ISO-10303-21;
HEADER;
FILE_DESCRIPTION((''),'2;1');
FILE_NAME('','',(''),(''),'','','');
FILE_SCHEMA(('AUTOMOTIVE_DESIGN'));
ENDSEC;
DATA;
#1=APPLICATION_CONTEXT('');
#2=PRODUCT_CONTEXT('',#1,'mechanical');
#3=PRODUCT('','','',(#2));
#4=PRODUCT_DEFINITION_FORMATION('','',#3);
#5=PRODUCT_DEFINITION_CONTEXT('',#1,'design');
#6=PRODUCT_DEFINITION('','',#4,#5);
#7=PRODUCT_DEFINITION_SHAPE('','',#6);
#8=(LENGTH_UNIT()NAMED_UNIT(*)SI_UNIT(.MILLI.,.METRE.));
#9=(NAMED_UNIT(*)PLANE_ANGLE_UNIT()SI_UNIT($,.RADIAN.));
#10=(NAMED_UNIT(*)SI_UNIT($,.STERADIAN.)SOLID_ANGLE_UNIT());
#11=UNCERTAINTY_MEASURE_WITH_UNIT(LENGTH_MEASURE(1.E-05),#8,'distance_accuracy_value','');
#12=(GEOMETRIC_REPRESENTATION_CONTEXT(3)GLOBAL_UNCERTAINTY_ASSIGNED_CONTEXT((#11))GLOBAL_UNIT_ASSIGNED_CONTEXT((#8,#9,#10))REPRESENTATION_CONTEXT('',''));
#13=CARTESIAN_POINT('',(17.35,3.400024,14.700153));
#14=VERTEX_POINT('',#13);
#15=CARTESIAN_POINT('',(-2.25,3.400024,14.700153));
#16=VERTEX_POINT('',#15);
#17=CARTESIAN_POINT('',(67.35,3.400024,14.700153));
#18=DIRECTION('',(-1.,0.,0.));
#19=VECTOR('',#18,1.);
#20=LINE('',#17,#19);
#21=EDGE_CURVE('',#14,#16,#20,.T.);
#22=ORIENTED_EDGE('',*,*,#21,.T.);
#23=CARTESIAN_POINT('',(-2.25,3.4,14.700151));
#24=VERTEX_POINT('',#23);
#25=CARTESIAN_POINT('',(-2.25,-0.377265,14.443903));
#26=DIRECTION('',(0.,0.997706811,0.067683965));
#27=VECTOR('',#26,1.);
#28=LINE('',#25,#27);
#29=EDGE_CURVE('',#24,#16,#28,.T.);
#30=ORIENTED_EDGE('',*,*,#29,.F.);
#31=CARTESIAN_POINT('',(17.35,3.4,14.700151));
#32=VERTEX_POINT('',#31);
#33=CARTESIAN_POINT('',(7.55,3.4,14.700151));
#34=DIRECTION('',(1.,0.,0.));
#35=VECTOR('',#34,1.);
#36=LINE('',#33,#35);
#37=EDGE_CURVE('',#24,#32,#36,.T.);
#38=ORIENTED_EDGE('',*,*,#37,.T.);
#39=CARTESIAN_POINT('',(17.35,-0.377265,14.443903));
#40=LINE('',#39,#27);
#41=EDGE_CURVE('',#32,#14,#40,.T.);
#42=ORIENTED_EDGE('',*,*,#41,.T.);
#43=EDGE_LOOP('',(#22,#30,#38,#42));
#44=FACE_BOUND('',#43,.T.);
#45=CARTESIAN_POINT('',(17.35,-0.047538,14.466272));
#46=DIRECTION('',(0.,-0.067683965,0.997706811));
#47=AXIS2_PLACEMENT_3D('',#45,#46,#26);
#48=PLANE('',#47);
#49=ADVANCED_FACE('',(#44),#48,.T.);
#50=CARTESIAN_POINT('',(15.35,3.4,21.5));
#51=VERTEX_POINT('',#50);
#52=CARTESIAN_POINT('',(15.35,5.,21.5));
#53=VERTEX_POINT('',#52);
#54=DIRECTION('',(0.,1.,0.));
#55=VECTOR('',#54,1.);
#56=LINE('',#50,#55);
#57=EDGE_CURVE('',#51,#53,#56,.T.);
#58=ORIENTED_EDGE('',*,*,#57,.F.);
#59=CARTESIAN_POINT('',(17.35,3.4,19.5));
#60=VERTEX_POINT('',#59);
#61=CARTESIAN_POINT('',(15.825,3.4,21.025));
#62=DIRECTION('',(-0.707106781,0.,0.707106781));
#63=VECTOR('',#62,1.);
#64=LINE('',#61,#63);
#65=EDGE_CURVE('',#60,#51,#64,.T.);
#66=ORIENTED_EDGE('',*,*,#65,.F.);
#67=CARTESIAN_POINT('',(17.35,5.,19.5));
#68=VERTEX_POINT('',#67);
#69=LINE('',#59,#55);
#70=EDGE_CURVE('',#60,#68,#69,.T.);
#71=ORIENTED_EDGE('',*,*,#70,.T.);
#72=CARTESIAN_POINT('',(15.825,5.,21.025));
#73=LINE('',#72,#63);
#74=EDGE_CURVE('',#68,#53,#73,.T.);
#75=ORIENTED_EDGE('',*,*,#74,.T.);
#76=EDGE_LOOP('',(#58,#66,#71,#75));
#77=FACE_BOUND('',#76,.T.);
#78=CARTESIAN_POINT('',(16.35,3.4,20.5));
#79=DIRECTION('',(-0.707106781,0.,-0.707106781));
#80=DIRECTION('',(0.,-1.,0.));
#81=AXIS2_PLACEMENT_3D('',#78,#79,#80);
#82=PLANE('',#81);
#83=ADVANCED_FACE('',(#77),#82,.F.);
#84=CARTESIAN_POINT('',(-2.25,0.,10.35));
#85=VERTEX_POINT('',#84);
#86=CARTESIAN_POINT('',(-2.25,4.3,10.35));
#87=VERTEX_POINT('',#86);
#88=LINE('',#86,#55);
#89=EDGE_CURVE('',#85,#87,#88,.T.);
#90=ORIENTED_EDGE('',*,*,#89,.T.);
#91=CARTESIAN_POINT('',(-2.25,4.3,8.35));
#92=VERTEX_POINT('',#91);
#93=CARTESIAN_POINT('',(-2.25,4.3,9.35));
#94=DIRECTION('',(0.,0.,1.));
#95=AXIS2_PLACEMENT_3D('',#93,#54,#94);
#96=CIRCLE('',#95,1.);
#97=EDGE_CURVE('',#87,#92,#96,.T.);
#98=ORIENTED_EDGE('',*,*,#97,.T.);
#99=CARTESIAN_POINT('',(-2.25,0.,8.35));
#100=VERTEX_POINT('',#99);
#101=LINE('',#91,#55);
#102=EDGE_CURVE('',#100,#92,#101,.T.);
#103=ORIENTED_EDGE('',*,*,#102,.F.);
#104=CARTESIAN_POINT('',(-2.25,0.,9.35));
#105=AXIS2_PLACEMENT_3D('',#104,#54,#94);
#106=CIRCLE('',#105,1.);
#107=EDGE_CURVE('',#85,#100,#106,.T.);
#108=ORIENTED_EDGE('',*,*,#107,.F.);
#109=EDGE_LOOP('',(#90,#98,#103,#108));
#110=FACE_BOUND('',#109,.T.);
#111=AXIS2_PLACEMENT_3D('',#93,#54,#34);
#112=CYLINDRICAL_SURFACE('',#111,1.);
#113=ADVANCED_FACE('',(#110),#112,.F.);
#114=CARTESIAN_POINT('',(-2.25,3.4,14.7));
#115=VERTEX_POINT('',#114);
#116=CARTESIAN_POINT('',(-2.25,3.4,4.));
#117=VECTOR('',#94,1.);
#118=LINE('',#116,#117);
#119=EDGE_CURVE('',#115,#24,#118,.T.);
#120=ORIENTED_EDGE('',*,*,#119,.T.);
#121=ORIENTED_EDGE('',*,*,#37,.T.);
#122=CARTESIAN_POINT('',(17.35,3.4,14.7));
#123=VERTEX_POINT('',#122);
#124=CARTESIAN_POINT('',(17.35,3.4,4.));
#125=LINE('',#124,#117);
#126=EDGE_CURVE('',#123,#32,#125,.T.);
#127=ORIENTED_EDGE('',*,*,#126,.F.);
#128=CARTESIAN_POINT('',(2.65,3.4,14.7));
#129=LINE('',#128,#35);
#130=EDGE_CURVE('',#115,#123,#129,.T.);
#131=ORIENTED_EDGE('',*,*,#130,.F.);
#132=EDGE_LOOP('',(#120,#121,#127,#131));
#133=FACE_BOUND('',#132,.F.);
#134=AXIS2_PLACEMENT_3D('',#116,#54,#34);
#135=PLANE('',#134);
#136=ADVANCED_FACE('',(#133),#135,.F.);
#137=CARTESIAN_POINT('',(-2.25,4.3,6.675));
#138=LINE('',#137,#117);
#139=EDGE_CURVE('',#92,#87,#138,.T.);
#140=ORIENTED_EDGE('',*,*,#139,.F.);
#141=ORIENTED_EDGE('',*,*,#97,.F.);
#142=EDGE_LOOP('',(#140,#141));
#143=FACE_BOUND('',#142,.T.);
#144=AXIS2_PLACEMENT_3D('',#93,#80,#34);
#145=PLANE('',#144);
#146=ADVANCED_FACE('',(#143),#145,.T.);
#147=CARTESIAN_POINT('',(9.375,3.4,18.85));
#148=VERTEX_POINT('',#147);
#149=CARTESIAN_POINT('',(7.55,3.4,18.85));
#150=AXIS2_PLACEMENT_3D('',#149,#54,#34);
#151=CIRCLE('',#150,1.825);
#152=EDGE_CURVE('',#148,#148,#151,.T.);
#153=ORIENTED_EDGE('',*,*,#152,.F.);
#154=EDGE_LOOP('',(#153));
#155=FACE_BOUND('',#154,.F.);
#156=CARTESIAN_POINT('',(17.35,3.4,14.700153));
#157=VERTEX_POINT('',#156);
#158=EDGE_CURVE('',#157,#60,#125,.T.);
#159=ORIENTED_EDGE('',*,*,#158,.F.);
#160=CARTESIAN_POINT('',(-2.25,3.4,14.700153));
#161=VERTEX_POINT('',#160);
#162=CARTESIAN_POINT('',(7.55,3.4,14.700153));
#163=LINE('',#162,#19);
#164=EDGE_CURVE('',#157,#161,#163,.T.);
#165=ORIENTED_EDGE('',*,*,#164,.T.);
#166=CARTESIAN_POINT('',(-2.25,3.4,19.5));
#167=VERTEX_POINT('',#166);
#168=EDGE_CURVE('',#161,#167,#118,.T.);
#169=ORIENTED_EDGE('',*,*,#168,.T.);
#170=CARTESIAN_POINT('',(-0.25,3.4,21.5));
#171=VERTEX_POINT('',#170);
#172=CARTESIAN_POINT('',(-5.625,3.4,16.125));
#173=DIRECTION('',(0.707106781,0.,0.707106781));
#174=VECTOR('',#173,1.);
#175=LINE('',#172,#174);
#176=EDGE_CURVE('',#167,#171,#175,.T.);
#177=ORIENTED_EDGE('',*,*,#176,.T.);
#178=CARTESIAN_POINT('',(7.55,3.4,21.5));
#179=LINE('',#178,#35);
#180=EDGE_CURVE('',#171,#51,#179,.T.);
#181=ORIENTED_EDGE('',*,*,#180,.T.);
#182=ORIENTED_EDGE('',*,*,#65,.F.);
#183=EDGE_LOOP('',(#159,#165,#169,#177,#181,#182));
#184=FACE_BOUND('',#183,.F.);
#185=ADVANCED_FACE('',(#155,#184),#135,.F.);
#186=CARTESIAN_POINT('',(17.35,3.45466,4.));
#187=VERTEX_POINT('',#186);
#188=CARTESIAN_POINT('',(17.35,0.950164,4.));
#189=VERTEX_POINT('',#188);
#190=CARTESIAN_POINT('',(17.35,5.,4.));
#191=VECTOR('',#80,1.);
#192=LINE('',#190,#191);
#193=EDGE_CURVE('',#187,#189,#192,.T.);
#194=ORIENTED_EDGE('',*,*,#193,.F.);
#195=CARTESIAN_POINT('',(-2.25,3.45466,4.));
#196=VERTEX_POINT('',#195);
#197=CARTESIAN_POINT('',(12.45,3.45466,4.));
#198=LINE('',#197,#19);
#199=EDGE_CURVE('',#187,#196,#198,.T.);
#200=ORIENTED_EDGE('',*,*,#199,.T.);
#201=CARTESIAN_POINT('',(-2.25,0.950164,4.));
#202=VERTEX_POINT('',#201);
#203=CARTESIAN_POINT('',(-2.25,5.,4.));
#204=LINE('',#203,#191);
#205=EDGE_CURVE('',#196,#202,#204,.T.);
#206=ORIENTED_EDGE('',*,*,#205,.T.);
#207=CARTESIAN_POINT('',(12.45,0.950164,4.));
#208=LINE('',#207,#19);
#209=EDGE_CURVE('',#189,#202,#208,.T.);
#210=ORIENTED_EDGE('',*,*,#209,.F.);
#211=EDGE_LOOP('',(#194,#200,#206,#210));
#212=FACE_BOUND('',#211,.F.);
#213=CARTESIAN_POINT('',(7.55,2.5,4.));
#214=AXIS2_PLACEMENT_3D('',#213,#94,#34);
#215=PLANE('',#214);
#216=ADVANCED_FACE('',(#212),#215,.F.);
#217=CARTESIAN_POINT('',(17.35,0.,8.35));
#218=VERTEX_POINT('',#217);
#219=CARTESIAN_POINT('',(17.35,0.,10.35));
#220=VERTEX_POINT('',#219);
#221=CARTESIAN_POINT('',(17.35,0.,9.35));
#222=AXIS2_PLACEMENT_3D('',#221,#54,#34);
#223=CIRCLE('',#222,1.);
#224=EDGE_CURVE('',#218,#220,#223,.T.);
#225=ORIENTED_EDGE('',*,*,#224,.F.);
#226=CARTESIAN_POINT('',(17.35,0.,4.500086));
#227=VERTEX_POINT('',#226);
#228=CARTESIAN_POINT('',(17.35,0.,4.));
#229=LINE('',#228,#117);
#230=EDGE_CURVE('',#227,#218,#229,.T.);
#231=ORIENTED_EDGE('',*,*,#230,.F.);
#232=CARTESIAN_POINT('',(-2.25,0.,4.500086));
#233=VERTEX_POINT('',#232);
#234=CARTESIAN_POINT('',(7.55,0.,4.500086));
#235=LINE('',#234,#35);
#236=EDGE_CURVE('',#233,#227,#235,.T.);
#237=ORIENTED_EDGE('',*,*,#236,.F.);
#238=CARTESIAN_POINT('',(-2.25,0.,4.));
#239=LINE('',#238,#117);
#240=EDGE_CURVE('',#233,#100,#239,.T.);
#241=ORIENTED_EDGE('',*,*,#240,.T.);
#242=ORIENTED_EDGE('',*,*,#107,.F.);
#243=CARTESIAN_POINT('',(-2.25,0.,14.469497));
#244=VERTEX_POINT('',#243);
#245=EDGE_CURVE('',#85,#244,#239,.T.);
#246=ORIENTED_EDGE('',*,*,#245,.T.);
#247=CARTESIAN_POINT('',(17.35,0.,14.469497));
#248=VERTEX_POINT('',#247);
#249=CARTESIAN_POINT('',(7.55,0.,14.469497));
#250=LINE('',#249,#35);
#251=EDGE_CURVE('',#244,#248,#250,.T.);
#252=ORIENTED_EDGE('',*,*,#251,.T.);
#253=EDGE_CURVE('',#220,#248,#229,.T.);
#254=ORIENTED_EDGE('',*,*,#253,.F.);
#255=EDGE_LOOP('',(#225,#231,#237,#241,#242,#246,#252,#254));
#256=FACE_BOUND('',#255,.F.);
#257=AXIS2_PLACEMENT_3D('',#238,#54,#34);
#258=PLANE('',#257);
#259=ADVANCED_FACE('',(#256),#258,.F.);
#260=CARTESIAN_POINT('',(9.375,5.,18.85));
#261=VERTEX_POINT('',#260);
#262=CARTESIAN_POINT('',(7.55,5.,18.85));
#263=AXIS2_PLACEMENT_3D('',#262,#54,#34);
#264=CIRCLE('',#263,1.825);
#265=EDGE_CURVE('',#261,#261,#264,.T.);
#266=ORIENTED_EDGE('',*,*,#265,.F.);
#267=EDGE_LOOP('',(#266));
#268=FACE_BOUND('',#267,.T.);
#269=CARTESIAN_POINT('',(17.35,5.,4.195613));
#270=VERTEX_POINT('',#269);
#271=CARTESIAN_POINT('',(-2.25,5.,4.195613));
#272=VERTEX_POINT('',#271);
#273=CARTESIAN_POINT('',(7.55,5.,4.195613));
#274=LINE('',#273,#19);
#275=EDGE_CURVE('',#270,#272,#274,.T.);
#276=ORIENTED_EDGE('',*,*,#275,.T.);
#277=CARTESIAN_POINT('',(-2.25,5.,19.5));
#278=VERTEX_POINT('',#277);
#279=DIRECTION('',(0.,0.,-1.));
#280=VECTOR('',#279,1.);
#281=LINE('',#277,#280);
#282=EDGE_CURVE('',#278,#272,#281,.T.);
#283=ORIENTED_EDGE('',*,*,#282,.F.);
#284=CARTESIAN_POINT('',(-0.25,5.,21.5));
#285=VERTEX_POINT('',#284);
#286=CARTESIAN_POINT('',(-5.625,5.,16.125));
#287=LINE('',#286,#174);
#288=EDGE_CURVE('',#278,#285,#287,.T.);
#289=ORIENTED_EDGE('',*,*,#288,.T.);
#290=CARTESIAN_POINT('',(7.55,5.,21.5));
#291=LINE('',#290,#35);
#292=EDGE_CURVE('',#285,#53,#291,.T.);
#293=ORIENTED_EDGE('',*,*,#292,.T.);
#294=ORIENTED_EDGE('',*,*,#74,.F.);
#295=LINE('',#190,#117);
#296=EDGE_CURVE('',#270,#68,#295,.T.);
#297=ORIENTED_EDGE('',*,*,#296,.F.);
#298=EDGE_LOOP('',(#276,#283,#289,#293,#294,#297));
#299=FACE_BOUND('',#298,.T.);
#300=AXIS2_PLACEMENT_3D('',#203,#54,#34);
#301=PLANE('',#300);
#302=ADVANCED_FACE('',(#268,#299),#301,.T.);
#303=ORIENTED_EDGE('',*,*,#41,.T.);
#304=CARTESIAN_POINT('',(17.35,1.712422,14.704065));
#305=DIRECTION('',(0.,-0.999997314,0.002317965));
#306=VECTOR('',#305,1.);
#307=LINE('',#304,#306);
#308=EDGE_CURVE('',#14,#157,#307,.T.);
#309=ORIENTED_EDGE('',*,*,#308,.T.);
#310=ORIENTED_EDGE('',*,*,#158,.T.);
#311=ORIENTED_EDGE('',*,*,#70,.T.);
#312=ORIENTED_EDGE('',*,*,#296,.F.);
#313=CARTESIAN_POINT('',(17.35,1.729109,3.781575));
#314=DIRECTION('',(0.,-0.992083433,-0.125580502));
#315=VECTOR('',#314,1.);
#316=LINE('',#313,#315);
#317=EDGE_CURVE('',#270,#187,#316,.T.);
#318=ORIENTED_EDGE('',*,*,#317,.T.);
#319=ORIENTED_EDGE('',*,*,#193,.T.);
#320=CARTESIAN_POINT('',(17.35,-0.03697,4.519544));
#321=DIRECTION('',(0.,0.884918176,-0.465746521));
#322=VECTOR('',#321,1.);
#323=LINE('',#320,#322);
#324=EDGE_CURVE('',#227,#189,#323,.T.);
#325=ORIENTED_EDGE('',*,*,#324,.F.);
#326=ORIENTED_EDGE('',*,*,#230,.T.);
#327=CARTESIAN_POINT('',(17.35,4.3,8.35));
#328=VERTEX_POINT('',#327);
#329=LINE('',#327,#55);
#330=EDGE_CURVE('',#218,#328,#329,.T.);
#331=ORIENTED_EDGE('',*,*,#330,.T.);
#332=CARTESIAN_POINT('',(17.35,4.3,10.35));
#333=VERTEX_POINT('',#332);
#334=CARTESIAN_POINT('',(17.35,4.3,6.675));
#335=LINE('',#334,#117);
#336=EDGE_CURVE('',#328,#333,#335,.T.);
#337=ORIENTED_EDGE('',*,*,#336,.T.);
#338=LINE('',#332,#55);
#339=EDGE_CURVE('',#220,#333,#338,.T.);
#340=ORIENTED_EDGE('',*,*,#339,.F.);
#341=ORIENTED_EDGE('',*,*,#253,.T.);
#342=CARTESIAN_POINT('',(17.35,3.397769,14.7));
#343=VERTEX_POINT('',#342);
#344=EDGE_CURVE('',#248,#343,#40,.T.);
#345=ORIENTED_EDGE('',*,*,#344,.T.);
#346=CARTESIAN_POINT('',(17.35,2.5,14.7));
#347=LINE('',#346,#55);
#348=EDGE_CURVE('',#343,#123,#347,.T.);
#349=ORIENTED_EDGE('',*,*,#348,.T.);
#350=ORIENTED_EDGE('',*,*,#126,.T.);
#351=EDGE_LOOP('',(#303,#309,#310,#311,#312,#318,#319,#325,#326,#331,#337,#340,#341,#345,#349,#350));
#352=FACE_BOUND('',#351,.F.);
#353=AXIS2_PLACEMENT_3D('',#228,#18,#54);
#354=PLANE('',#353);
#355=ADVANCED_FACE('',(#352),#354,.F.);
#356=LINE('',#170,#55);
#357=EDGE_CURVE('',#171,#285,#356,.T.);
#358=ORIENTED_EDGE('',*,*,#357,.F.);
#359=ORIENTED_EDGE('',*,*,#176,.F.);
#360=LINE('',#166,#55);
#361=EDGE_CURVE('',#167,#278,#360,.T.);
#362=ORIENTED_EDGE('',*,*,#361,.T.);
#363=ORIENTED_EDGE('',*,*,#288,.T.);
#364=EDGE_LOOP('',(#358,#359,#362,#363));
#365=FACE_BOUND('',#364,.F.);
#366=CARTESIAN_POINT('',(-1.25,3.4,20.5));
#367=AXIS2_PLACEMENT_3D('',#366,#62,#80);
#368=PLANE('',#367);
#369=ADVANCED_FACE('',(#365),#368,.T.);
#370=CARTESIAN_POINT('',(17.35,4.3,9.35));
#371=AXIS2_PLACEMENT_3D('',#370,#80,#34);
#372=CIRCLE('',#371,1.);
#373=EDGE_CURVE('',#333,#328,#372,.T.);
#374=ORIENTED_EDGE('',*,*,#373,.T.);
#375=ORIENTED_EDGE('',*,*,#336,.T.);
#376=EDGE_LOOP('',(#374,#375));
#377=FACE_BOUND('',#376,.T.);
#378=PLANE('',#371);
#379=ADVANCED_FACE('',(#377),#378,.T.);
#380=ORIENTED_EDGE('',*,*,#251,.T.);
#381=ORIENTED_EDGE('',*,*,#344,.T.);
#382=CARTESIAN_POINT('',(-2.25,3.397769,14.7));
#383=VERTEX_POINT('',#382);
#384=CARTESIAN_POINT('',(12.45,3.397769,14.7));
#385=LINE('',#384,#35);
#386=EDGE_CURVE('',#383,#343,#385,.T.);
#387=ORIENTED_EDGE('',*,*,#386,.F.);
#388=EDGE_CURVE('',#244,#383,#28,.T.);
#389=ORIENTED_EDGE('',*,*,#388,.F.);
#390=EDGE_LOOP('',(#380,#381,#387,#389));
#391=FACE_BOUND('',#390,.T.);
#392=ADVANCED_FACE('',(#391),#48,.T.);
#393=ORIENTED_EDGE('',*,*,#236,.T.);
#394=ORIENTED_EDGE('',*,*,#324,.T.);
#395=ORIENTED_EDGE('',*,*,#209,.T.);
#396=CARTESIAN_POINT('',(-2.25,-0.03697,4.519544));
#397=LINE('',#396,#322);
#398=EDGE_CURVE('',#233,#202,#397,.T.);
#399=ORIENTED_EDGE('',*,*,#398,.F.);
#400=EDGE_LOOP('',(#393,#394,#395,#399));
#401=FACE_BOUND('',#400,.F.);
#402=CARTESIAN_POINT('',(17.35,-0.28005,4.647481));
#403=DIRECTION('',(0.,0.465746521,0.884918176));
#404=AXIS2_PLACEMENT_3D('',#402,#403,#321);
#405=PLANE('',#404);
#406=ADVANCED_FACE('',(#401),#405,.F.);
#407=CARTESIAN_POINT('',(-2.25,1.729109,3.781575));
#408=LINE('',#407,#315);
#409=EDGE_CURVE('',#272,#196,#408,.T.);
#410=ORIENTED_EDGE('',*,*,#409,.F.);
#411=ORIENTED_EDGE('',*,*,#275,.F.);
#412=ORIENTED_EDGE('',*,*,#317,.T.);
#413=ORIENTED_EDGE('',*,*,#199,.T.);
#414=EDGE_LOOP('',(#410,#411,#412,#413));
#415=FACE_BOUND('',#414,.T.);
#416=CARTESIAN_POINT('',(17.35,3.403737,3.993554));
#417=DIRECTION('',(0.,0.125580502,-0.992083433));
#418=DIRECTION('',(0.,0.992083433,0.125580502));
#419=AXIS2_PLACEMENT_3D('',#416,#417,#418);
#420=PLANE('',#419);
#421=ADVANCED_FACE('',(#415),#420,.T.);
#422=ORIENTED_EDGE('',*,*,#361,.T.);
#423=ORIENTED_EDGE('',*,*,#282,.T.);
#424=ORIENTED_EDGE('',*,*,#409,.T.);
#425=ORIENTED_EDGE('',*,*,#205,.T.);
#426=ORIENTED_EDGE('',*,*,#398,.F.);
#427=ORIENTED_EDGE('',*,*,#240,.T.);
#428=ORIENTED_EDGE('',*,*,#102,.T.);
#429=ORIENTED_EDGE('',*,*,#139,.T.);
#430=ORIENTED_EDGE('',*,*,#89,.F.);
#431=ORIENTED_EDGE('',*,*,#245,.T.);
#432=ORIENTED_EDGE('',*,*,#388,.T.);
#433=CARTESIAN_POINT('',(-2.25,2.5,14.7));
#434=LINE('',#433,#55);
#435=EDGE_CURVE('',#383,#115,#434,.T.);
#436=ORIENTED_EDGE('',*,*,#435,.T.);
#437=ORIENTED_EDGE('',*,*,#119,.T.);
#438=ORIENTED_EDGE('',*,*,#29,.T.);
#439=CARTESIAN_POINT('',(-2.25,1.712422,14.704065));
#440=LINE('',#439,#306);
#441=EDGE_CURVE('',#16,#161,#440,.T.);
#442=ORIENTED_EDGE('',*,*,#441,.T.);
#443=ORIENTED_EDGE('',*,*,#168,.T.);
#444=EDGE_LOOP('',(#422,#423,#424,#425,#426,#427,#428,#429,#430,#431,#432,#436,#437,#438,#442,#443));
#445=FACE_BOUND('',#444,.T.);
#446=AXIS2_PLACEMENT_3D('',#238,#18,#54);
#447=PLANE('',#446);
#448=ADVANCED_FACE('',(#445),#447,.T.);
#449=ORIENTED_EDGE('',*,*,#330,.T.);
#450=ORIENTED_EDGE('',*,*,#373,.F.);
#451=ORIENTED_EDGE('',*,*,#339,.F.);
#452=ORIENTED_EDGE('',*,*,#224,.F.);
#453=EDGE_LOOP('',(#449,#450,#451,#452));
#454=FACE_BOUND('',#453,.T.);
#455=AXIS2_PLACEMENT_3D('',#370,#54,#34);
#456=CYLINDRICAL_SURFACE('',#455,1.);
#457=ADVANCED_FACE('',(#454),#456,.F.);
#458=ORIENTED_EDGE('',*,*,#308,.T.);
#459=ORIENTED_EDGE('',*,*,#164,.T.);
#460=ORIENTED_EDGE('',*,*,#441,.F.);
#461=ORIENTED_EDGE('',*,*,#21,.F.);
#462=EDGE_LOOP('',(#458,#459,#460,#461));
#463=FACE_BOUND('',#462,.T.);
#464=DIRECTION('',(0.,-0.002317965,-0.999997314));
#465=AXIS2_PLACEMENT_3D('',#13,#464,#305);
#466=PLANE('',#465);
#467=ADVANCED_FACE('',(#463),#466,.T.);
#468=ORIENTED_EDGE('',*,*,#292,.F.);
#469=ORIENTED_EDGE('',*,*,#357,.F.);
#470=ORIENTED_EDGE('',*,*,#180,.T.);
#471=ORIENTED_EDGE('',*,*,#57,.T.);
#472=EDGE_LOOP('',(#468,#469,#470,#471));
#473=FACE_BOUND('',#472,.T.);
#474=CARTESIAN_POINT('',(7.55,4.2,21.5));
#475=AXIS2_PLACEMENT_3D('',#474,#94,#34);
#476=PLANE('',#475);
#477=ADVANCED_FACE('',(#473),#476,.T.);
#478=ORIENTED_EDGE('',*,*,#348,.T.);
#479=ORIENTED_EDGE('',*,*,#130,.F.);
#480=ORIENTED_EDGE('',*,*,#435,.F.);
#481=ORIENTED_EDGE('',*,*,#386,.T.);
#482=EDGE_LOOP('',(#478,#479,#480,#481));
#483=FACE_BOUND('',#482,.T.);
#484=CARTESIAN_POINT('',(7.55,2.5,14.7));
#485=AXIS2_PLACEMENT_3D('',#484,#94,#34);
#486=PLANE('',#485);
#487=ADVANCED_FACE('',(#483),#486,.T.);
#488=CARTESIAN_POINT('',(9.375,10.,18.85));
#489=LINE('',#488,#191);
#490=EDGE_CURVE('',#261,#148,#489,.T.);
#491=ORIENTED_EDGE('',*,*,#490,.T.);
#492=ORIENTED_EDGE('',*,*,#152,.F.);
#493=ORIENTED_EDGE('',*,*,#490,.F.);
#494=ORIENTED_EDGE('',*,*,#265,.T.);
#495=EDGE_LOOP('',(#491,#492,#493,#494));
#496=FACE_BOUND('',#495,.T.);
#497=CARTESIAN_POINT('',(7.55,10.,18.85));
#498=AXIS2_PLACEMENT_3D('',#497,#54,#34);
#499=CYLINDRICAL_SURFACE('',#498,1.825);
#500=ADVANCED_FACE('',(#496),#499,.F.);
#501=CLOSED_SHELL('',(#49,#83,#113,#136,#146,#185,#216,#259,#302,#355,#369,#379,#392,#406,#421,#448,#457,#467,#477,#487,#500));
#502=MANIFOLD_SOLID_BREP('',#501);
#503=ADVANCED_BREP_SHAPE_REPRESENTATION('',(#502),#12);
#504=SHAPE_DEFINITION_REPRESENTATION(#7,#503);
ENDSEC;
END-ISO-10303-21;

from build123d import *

# Parameters (mm, degrees)
CYLINDER001_R          = 1
CYLINDER001_DEPTH      = 10
CYLINDER001_ROLL_ANGLE = 90
ARRAY_X_COUNT          = 2
ARRAY_X_PITCH          = 19.6
BOX_W                  = 19.6
BOX_H                  = 5
BOX_DEPTH              = 10.7
CYLINDER_R             = 1.825
CYLINDER_DEPTH         = 10
CYLINDER_ROLL_ANGLE    = 90
BOX001_W               = 19.6
BOX001_H               = 1.6
BOX001_DEPTH           = 17.5
CHAMFER_SIZE           = 2
POCKET_DEPTH           = 50


with BuildPart() as array:
    # Cylinder001 → Cylinder001 (new body)
    with BuildSketch(Plane.XY):
        Circle(CYLINDER001_R)
    extrude(amount=CYLINDER001_DEPTH)


with BuildPart() as array_1:
    # Cylinder001 roll: moved
    add(array.part.rotate(Axis((0, 0, 0), (1, 0, 0)), CYLINDER001_ROLL_ANGLE))


with BuildPart() as array_2:
    # Cylinder001 placement: moved
    add(array_1.part.moved(Location((0, 4.3, 5.35))))

    # Array X: Array ×2


with BuildPart() as array_3:
    add(array_2.part)
    with Locations(*[(i * ARRAY_X_PITCH, 0, 0) for i in range(1, ARRAY_X_COUNT)]):
        add(array_2.part)


with BuildPart() as cubo:
    # Box → Box (new body)
    with BuildSketch(Plane.XY):
        with Locations((9.8, 2.5)):
            Rectangle(BOX_W, BOX_H)
    extrude(amount=BOX_DEPTH)


with BuildPart() as cilindro:
    # Cylinder → Cylinder (new body)
    with BuildSketch(Plane.XY):
        Circle(CYLINDER_R)
    extrude(amount=CYLINDER_DEPTH)


with BuildPart() as cilindro_1:
    # Cylinder roll: moved
    add(cilindro.part.rotate(Axis((0, 0, 0), (1, 0, 0)), CYLINDER_ROLL_ANGLE))


with BuildPart() as cilindro_2:
    # Cylinder placement: moved
    add(cilindro_1.part.moved(Location((9.8, 10, 14.85))))


with BuildPart() as encapsulado:
    # Box001 → Box001 (new body)
    with BuildSketch(Plane(origin=(0, 3.4, 0), x_dir=(1, 0, 0), z_dir=(0, 0, 1))):
        with Locations((9.8, 0.8)):
            Rectangle(BOX001_W, BOX001_H)
    extrude(amount=BOX001_DEPTH)

    # Chamfer
    chamfer_edges = [encapsulado.edges().sort_by_distance(p)[0] for p in [
        (0, 4.2, 17.5),
        (19.6, 4.2, 17.5),
    ]]
    chamfer(chamfer_edges, length=CHAMFER_SIZE)

    # Cut: cut Cilindro
    add(cilindro_2.part, mode=Mode.SUBTRACT)

    # Fusion: union Cubo
    add(cubo.part)

    # Sketch → Pocket (cut, symmetric)
    with BuildSketch(Plane.YZ.offset(19.6)):
        Polygon((3.400024, 10.700153), (-0.022797, 10.708087), (-0.047538, 10.466272), align=None)
        Polygon((-0.28005, 0.647481), (0.962411, -0.006446), (-0.389037, -0.137231), align=None)
        Polygon((3.403737, -0.006446), (5.125743, 0.21153), (5.191135, -0.377004), align=None)
    extrude(amount=POCKET_DEPTH, both=True, mode=Mode.SUBTRACT)

    # Cut001: cut Array
    add(array_3.part, mode=Mode.SUBTRACT)


with BuildPart() as encapsulado_1:
    # Cut001 placement: moved
    add(encapsulado.part.moved(Location((-2.25, 0, 4))))


solid = encapsulado_1.part
